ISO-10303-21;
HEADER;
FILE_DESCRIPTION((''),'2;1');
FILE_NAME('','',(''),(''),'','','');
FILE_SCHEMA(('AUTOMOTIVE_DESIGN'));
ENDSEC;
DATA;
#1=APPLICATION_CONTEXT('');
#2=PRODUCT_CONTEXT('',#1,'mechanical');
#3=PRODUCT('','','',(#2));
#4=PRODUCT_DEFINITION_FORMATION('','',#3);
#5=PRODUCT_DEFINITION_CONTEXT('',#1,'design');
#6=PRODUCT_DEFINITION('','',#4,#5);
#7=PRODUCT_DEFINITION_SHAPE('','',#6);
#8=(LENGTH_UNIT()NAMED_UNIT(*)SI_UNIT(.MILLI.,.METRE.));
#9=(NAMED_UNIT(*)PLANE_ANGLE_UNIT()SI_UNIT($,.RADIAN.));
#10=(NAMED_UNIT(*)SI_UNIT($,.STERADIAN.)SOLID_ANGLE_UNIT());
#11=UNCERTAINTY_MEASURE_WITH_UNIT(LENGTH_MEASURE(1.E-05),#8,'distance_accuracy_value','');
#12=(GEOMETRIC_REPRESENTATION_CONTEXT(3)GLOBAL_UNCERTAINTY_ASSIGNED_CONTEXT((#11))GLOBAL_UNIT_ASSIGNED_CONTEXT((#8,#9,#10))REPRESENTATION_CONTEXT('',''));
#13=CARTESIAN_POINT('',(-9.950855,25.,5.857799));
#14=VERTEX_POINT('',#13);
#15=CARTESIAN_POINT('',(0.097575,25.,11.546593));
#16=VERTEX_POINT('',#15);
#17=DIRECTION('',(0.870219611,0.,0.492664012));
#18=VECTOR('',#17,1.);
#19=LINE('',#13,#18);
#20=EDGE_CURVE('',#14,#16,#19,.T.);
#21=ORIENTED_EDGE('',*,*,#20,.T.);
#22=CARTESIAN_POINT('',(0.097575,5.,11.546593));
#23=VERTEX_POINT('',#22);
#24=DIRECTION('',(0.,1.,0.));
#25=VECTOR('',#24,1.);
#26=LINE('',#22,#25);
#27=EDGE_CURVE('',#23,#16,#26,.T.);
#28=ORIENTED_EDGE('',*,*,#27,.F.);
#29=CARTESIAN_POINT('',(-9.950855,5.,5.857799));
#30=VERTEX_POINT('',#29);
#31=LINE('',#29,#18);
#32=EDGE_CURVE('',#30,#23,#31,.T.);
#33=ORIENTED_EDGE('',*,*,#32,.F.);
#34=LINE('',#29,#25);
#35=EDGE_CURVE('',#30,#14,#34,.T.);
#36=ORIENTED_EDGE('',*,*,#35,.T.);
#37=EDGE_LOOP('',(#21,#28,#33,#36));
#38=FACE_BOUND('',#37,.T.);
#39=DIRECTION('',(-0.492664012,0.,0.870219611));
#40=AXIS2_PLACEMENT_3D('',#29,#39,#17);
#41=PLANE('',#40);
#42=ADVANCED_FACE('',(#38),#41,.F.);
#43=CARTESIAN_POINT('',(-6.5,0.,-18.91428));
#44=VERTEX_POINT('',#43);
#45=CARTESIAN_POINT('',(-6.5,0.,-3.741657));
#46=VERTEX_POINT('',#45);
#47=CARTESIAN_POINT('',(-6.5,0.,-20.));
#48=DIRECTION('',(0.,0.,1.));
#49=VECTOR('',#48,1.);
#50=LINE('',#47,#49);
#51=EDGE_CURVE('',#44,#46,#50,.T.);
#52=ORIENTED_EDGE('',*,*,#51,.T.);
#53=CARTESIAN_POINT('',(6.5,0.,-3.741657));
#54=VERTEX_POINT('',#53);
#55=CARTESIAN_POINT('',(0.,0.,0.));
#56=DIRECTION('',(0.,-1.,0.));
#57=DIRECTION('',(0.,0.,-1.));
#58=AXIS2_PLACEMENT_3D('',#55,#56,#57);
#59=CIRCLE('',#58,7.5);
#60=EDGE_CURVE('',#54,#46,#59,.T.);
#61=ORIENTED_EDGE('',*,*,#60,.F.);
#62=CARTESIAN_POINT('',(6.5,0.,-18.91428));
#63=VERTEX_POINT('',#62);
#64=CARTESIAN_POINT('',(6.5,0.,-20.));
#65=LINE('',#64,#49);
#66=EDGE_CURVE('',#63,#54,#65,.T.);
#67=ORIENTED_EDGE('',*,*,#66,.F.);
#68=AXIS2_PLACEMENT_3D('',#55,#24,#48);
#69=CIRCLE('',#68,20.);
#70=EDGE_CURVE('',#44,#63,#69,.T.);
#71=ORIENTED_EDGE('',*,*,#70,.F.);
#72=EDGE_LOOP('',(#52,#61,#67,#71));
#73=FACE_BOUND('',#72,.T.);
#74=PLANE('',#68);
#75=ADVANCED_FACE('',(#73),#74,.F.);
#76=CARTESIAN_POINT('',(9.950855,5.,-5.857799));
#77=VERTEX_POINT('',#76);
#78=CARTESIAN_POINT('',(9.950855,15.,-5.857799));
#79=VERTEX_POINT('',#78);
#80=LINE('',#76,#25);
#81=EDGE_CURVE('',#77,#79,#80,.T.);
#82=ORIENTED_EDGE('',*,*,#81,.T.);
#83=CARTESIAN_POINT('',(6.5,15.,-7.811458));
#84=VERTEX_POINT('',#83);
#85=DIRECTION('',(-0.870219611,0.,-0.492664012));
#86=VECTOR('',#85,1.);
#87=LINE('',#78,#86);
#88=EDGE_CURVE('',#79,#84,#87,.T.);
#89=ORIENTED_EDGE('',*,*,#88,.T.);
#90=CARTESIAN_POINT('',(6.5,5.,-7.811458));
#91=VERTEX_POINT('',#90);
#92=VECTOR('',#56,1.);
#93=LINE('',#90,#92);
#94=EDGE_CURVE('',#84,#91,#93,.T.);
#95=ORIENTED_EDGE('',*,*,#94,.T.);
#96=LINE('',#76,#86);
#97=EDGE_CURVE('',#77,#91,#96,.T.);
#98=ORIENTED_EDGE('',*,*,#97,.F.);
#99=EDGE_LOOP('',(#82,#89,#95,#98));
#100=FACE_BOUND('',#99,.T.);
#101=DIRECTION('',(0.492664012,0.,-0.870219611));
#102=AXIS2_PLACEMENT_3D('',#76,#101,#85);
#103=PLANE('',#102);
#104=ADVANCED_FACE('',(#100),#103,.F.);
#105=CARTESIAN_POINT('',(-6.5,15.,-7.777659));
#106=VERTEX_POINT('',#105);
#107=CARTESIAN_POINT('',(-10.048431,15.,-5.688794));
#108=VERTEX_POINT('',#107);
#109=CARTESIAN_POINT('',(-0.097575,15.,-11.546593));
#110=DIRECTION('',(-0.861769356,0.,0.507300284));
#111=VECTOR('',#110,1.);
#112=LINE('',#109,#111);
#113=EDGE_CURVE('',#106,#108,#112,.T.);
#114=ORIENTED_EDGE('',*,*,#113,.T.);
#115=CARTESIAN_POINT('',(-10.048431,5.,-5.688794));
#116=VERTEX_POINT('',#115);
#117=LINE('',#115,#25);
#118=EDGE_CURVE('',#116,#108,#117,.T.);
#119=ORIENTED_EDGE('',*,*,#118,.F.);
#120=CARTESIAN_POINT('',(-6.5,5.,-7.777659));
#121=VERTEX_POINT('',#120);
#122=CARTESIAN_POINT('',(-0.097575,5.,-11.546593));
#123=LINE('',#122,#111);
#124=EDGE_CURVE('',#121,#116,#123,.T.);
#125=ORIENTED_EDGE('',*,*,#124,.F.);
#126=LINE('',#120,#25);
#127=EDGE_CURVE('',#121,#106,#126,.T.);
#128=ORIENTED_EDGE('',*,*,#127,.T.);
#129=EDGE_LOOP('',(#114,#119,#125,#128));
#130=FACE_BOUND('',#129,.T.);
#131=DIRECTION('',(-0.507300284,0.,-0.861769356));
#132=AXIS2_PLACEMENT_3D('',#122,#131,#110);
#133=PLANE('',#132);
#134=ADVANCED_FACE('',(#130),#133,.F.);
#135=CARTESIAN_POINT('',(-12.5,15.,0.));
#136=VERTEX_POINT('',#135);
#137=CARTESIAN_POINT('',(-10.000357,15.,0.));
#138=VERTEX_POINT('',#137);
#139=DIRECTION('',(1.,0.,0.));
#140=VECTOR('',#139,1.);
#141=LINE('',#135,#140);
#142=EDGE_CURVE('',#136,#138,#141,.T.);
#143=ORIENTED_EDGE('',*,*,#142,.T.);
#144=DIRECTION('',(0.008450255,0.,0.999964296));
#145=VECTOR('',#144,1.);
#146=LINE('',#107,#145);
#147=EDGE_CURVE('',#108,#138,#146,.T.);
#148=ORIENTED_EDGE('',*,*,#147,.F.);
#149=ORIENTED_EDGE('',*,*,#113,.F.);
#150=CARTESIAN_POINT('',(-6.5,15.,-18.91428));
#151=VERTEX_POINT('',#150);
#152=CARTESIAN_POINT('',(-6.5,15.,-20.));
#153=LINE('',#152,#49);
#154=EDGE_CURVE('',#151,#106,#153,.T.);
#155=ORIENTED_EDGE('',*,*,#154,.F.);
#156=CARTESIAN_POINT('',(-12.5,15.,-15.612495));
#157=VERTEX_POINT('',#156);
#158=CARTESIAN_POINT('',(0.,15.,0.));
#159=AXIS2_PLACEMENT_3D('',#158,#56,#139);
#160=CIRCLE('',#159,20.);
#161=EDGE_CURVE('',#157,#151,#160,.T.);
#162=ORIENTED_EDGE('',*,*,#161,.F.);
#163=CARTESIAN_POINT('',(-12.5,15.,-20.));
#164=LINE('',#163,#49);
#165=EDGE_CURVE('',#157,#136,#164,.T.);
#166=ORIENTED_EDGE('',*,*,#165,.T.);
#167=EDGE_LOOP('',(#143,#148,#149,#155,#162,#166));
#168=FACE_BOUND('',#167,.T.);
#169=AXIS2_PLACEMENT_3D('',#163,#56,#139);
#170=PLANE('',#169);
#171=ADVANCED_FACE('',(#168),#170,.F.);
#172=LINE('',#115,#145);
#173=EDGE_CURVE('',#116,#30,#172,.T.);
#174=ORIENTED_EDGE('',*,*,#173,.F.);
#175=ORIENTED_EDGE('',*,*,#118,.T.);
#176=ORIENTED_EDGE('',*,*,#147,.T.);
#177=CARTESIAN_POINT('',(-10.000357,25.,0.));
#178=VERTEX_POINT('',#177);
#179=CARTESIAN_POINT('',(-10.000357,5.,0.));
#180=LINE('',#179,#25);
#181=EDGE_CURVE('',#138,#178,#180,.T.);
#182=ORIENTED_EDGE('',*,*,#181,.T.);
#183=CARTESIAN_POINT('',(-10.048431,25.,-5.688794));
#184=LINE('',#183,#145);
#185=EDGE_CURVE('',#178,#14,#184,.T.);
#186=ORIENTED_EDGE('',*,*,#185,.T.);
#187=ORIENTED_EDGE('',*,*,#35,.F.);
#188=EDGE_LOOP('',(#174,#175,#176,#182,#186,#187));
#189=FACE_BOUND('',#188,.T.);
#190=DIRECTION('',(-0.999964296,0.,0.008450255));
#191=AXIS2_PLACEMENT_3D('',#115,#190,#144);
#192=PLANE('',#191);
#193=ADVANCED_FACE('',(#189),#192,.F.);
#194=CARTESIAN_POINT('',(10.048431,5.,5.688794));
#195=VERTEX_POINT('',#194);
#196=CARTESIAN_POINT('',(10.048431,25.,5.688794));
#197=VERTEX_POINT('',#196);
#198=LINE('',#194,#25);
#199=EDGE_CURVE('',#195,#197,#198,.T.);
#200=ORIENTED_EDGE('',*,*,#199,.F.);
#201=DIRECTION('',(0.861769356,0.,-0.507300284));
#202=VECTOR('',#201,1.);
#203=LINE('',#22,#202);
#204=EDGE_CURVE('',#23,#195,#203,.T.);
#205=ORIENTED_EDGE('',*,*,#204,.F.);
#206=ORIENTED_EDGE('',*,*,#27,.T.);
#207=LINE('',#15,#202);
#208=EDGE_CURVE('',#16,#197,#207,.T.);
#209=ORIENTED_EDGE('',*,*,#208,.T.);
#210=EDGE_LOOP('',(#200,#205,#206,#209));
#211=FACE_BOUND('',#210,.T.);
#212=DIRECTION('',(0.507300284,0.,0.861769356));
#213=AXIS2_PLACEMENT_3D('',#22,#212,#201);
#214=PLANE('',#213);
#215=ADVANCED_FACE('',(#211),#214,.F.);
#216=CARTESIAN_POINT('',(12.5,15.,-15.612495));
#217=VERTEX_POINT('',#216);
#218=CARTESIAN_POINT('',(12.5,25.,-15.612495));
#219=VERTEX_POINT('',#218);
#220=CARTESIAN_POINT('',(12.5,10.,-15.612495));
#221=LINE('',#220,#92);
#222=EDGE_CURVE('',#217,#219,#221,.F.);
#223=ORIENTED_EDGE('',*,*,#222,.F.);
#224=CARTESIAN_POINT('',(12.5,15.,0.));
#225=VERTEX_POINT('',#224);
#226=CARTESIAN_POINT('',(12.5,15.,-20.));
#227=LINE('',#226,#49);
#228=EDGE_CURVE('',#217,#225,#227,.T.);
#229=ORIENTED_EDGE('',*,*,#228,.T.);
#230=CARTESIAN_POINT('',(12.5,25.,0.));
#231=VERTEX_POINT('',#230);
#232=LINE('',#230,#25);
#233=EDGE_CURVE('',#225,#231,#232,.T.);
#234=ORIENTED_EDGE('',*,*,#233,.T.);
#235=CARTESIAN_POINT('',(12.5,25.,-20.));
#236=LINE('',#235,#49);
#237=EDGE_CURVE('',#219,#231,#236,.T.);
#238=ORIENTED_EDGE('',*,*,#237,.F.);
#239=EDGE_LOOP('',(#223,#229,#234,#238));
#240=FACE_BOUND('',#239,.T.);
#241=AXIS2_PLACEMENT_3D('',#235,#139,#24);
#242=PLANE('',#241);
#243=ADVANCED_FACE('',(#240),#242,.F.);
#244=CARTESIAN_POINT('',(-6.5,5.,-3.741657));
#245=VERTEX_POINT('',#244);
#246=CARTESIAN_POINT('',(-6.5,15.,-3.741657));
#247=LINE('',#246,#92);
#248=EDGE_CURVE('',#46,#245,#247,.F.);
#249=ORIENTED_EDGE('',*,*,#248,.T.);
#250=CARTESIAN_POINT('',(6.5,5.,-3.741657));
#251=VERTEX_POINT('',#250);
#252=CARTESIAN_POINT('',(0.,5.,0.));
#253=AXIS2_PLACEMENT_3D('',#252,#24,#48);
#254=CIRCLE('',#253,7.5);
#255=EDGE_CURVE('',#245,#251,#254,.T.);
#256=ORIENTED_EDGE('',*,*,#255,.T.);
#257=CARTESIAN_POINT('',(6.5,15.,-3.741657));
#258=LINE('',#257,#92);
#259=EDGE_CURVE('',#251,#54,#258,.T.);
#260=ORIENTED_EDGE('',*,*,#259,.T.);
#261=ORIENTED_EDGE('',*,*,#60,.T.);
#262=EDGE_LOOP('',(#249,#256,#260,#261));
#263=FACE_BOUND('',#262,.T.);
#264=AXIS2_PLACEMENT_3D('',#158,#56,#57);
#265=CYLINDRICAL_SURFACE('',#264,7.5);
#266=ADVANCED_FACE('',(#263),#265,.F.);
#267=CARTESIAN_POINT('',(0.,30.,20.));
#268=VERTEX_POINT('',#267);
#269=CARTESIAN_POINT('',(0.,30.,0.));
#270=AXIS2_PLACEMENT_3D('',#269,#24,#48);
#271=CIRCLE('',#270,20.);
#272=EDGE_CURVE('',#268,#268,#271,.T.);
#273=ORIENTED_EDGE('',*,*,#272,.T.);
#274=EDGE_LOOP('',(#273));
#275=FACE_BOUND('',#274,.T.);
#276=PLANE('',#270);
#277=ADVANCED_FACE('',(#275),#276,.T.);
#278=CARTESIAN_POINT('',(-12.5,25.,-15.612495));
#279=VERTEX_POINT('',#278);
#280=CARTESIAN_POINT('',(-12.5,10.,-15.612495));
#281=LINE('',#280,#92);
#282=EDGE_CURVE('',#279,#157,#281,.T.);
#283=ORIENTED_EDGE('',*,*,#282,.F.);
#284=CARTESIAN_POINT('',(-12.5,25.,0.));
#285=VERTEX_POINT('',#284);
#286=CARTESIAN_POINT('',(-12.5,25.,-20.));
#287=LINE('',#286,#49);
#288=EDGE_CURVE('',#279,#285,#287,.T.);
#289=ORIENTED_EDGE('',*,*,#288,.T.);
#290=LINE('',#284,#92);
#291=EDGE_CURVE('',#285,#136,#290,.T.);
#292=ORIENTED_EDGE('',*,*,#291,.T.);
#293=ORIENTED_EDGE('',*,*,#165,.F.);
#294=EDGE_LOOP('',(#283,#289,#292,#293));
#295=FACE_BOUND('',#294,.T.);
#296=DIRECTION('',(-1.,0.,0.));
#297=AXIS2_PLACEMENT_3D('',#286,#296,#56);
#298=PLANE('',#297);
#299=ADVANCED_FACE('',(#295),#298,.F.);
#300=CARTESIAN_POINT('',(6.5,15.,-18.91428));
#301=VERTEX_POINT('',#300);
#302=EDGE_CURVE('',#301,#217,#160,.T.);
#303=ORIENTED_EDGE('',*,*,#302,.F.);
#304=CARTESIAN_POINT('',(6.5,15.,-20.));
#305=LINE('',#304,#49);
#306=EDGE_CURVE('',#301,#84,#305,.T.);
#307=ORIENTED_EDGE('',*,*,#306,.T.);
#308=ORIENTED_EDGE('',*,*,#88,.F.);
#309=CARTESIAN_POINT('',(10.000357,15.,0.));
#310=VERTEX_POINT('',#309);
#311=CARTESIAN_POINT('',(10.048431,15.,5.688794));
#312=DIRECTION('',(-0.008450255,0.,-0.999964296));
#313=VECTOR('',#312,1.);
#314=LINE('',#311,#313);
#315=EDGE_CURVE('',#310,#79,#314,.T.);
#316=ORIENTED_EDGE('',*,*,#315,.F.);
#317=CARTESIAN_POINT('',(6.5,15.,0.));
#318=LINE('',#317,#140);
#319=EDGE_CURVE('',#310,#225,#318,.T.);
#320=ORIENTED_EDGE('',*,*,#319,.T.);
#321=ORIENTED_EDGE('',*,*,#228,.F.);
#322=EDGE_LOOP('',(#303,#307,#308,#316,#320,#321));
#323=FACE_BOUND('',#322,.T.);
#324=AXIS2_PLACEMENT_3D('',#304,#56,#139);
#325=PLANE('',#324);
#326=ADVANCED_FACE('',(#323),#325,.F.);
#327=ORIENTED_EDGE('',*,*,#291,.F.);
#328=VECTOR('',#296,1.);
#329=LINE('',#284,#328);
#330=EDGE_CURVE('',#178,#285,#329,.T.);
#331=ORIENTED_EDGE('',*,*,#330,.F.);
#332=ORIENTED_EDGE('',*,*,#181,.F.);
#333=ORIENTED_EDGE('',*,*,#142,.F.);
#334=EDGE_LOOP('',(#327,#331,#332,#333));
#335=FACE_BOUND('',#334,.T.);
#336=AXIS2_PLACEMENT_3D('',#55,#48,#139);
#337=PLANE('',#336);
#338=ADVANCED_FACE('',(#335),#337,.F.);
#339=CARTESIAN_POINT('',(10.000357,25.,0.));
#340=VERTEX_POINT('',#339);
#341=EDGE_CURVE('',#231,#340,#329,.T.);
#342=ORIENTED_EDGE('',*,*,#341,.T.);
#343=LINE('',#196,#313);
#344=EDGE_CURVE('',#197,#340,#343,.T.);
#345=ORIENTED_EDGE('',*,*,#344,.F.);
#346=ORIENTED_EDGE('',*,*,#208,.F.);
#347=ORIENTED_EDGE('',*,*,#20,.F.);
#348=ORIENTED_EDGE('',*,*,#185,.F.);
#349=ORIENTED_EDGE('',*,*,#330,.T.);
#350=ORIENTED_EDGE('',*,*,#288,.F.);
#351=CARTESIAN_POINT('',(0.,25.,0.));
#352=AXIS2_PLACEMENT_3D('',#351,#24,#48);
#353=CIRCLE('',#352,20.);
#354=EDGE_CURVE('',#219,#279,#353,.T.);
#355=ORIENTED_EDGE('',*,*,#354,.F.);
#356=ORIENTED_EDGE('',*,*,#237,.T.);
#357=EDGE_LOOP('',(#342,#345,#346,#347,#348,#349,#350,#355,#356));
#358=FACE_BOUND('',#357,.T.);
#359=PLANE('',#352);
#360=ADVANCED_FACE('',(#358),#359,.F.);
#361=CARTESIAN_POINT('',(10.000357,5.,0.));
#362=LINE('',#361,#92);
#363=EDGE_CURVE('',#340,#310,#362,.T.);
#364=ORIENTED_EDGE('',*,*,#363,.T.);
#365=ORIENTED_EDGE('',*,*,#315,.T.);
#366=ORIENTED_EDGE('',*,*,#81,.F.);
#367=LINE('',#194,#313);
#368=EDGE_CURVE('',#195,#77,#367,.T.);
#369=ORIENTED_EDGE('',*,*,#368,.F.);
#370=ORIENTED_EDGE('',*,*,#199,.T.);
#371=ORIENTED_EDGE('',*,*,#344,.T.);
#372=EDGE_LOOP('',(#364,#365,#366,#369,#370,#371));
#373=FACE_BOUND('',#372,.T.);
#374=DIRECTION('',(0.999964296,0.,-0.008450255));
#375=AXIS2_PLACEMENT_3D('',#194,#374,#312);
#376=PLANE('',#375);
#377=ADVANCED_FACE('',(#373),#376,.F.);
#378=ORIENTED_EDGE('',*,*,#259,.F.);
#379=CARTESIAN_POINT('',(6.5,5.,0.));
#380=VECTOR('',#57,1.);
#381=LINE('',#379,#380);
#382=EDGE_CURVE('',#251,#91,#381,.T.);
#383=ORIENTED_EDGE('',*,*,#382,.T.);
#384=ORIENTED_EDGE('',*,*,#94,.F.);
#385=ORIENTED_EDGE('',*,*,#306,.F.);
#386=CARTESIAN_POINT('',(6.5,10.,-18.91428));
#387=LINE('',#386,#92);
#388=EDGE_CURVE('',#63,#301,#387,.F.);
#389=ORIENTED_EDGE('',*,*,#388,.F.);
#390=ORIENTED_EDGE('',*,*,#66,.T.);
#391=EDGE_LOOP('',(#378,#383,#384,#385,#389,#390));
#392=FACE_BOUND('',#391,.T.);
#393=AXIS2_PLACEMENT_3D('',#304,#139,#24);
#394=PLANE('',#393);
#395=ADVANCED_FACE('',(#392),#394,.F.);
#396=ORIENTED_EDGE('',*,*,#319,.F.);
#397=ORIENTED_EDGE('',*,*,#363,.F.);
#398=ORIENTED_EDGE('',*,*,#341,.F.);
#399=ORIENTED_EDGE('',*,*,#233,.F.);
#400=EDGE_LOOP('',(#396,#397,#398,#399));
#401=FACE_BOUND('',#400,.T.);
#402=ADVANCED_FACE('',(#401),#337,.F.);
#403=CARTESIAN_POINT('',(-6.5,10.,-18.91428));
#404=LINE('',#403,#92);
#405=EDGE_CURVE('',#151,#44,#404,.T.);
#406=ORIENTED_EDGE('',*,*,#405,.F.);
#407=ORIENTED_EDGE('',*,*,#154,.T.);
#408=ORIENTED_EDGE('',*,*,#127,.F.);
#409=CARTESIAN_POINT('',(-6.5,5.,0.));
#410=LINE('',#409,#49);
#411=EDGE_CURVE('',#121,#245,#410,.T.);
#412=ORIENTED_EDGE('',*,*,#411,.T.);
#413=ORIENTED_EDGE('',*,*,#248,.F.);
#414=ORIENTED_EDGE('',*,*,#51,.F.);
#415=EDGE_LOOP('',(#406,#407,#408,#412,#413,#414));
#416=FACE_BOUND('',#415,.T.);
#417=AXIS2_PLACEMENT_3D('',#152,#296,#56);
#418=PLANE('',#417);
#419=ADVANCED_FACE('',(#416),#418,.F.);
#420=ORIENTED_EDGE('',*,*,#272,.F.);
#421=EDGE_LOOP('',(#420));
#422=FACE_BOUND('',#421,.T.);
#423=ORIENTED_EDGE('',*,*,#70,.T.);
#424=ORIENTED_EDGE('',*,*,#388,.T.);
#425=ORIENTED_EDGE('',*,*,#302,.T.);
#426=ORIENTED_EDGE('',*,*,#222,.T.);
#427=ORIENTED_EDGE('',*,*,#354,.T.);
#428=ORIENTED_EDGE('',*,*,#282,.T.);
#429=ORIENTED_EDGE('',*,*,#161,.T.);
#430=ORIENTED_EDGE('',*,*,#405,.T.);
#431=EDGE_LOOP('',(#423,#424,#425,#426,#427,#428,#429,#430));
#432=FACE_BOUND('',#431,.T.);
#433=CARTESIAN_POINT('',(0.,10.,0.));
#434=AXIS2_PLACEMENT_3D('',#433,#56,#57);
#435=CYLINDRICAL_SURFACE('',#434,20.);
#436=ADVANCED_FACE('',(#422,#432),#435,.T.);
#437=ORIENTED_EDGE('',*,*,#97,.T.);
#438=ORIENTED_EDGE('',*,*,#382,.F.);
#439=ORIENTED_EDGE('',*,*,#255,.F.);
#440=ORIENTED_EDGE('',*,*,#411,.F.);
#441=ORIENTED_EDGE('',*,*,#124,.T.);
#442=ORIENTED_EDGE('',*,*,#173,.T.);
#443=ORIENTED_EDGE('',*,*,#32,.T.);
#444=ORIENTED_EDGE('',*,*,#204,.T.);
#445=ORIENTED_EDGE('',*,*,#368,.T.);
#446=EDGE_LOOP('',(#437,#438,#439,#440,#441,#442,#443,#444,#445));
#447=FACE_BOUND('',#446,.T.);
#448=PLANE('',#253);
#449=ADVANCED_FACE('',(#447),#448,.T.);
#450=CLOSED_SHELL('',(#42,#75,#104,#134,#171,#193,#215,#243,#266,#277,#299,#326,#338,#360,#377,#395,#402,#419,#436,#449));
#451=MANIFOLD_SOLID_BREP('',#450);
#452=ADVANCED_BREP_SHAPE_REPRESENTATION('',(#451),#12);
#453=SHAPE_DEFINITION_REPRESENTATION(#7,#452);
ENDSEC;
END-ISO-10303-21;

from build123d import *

# Parameters (mm, degrees)
SKETCH1_R           = 20
BOSS_EXTRUDE1_DEPTH = 10
CUT_EXTRUDE2_DEPTH  = 5
SKETCH5_R           = 20
BOSS_EXTRUDE3_DEPTH = 15
SKETCH6_R           = 20
BOSS_EXTRUDE4_DEPTH = 5
SKETCH7_R           = 7.5
CUT_EXTRUDE3_DEPTH  = 15
CUT_EXTRUDE4_DEPTH  = 42.231056256


with BuildPart() as part:
    # Sketch1 → Boss-Extrude1 (new body)
    with BuildSketch(Plane(origin=(0, 0, 0), x_dir=(1, 0, 0), z_dir=(0, 1, 0))):
        with Locations(Location((0, 0, 0), (0, 0, 270))):
            Circle(SKETCH1_R)
    extrude(amount=BOSS_EXTRUDE1_DEPTH)

    # Sketch2 → Cut-Extrude2 (cut)
    with BuildSketch(Plane(origin=(0, 10, 0), x_dir=(1, 0, 0), z_dir=(0, 1, 0))):
        Polygon((10.04843053, -5.688794004), (9.950855389, 5.857799105), (-0.097575141, 11.546593109), (-10.04843053, 5.688794004), (-9.950855389, -5.857799105), (0.097575141, -11.546593109), align=None)
    extrude(amount=-CUT_EXTRUDE2_DEPTH, mode=Mode.SUBTRACT)

    # Sketch5 → Boss-Extrude3 (add)
    with BuildSketch(Plane(origin=(0, 10, 0), x_dir=(1, 0, 0), z_dir=(0, 1, 0))):
        with Locations(Location((0, 0, 0), (0, 0, 270))):
            Circle(SKETCH5_R)
        Polygon((-9.950855389, -5.857799105), (0.097575141, -11.546593109), (10.04843053, -5.688794004), (9.950855389, 5.857799105), (-0.097575141, 11.546593109), (-10.04843053, 5.688794004), align=None, mode=Mode.SUBTRACT)
    extrude(amount=BOSS_EXTRUDE3_DEPTH)

    # Sketch6 → Boss-Extrude4 (add)
    with BuildSketch(Plane(origin=(0, 25, 0), x_dir=(1, 0, 0), z_dir=(0, 1, 0))):
        with Locations(Location((0, 0, 0), (0, 0, 270))):
            Circle(SKETCH6_R)
    extrude(amount=BOSS_EXTRUDE4_DEPTH)

    # Sketch7 → Cut-Extrude3 (cut)
    with BuildSketch(Plane.XZ):
        with Locations(Location((0, 0, 0), (0, 0, 270))):
            Circle(SKETCH7_R)
    extrude(amount=-CUT_EXTRUDE3_DEPTH, mode=Mode.SUBTRACT)

    # Sketch8 → Cut-Extrude4 (cut, through all)
    with BuildSketch(Plane.XY):
        Polygon((-6.5, 15), (-6.5, 0), (6.5, 0), (6.5, 15), (12.5, 15), (12.5, 25), (-12.5, 25), (-12.5, 15), align=None)
    extrude(amount=-CUT_EXTRUDE4_DEPTH, mode=Mode.SUBTRACT)


solid = part.part
